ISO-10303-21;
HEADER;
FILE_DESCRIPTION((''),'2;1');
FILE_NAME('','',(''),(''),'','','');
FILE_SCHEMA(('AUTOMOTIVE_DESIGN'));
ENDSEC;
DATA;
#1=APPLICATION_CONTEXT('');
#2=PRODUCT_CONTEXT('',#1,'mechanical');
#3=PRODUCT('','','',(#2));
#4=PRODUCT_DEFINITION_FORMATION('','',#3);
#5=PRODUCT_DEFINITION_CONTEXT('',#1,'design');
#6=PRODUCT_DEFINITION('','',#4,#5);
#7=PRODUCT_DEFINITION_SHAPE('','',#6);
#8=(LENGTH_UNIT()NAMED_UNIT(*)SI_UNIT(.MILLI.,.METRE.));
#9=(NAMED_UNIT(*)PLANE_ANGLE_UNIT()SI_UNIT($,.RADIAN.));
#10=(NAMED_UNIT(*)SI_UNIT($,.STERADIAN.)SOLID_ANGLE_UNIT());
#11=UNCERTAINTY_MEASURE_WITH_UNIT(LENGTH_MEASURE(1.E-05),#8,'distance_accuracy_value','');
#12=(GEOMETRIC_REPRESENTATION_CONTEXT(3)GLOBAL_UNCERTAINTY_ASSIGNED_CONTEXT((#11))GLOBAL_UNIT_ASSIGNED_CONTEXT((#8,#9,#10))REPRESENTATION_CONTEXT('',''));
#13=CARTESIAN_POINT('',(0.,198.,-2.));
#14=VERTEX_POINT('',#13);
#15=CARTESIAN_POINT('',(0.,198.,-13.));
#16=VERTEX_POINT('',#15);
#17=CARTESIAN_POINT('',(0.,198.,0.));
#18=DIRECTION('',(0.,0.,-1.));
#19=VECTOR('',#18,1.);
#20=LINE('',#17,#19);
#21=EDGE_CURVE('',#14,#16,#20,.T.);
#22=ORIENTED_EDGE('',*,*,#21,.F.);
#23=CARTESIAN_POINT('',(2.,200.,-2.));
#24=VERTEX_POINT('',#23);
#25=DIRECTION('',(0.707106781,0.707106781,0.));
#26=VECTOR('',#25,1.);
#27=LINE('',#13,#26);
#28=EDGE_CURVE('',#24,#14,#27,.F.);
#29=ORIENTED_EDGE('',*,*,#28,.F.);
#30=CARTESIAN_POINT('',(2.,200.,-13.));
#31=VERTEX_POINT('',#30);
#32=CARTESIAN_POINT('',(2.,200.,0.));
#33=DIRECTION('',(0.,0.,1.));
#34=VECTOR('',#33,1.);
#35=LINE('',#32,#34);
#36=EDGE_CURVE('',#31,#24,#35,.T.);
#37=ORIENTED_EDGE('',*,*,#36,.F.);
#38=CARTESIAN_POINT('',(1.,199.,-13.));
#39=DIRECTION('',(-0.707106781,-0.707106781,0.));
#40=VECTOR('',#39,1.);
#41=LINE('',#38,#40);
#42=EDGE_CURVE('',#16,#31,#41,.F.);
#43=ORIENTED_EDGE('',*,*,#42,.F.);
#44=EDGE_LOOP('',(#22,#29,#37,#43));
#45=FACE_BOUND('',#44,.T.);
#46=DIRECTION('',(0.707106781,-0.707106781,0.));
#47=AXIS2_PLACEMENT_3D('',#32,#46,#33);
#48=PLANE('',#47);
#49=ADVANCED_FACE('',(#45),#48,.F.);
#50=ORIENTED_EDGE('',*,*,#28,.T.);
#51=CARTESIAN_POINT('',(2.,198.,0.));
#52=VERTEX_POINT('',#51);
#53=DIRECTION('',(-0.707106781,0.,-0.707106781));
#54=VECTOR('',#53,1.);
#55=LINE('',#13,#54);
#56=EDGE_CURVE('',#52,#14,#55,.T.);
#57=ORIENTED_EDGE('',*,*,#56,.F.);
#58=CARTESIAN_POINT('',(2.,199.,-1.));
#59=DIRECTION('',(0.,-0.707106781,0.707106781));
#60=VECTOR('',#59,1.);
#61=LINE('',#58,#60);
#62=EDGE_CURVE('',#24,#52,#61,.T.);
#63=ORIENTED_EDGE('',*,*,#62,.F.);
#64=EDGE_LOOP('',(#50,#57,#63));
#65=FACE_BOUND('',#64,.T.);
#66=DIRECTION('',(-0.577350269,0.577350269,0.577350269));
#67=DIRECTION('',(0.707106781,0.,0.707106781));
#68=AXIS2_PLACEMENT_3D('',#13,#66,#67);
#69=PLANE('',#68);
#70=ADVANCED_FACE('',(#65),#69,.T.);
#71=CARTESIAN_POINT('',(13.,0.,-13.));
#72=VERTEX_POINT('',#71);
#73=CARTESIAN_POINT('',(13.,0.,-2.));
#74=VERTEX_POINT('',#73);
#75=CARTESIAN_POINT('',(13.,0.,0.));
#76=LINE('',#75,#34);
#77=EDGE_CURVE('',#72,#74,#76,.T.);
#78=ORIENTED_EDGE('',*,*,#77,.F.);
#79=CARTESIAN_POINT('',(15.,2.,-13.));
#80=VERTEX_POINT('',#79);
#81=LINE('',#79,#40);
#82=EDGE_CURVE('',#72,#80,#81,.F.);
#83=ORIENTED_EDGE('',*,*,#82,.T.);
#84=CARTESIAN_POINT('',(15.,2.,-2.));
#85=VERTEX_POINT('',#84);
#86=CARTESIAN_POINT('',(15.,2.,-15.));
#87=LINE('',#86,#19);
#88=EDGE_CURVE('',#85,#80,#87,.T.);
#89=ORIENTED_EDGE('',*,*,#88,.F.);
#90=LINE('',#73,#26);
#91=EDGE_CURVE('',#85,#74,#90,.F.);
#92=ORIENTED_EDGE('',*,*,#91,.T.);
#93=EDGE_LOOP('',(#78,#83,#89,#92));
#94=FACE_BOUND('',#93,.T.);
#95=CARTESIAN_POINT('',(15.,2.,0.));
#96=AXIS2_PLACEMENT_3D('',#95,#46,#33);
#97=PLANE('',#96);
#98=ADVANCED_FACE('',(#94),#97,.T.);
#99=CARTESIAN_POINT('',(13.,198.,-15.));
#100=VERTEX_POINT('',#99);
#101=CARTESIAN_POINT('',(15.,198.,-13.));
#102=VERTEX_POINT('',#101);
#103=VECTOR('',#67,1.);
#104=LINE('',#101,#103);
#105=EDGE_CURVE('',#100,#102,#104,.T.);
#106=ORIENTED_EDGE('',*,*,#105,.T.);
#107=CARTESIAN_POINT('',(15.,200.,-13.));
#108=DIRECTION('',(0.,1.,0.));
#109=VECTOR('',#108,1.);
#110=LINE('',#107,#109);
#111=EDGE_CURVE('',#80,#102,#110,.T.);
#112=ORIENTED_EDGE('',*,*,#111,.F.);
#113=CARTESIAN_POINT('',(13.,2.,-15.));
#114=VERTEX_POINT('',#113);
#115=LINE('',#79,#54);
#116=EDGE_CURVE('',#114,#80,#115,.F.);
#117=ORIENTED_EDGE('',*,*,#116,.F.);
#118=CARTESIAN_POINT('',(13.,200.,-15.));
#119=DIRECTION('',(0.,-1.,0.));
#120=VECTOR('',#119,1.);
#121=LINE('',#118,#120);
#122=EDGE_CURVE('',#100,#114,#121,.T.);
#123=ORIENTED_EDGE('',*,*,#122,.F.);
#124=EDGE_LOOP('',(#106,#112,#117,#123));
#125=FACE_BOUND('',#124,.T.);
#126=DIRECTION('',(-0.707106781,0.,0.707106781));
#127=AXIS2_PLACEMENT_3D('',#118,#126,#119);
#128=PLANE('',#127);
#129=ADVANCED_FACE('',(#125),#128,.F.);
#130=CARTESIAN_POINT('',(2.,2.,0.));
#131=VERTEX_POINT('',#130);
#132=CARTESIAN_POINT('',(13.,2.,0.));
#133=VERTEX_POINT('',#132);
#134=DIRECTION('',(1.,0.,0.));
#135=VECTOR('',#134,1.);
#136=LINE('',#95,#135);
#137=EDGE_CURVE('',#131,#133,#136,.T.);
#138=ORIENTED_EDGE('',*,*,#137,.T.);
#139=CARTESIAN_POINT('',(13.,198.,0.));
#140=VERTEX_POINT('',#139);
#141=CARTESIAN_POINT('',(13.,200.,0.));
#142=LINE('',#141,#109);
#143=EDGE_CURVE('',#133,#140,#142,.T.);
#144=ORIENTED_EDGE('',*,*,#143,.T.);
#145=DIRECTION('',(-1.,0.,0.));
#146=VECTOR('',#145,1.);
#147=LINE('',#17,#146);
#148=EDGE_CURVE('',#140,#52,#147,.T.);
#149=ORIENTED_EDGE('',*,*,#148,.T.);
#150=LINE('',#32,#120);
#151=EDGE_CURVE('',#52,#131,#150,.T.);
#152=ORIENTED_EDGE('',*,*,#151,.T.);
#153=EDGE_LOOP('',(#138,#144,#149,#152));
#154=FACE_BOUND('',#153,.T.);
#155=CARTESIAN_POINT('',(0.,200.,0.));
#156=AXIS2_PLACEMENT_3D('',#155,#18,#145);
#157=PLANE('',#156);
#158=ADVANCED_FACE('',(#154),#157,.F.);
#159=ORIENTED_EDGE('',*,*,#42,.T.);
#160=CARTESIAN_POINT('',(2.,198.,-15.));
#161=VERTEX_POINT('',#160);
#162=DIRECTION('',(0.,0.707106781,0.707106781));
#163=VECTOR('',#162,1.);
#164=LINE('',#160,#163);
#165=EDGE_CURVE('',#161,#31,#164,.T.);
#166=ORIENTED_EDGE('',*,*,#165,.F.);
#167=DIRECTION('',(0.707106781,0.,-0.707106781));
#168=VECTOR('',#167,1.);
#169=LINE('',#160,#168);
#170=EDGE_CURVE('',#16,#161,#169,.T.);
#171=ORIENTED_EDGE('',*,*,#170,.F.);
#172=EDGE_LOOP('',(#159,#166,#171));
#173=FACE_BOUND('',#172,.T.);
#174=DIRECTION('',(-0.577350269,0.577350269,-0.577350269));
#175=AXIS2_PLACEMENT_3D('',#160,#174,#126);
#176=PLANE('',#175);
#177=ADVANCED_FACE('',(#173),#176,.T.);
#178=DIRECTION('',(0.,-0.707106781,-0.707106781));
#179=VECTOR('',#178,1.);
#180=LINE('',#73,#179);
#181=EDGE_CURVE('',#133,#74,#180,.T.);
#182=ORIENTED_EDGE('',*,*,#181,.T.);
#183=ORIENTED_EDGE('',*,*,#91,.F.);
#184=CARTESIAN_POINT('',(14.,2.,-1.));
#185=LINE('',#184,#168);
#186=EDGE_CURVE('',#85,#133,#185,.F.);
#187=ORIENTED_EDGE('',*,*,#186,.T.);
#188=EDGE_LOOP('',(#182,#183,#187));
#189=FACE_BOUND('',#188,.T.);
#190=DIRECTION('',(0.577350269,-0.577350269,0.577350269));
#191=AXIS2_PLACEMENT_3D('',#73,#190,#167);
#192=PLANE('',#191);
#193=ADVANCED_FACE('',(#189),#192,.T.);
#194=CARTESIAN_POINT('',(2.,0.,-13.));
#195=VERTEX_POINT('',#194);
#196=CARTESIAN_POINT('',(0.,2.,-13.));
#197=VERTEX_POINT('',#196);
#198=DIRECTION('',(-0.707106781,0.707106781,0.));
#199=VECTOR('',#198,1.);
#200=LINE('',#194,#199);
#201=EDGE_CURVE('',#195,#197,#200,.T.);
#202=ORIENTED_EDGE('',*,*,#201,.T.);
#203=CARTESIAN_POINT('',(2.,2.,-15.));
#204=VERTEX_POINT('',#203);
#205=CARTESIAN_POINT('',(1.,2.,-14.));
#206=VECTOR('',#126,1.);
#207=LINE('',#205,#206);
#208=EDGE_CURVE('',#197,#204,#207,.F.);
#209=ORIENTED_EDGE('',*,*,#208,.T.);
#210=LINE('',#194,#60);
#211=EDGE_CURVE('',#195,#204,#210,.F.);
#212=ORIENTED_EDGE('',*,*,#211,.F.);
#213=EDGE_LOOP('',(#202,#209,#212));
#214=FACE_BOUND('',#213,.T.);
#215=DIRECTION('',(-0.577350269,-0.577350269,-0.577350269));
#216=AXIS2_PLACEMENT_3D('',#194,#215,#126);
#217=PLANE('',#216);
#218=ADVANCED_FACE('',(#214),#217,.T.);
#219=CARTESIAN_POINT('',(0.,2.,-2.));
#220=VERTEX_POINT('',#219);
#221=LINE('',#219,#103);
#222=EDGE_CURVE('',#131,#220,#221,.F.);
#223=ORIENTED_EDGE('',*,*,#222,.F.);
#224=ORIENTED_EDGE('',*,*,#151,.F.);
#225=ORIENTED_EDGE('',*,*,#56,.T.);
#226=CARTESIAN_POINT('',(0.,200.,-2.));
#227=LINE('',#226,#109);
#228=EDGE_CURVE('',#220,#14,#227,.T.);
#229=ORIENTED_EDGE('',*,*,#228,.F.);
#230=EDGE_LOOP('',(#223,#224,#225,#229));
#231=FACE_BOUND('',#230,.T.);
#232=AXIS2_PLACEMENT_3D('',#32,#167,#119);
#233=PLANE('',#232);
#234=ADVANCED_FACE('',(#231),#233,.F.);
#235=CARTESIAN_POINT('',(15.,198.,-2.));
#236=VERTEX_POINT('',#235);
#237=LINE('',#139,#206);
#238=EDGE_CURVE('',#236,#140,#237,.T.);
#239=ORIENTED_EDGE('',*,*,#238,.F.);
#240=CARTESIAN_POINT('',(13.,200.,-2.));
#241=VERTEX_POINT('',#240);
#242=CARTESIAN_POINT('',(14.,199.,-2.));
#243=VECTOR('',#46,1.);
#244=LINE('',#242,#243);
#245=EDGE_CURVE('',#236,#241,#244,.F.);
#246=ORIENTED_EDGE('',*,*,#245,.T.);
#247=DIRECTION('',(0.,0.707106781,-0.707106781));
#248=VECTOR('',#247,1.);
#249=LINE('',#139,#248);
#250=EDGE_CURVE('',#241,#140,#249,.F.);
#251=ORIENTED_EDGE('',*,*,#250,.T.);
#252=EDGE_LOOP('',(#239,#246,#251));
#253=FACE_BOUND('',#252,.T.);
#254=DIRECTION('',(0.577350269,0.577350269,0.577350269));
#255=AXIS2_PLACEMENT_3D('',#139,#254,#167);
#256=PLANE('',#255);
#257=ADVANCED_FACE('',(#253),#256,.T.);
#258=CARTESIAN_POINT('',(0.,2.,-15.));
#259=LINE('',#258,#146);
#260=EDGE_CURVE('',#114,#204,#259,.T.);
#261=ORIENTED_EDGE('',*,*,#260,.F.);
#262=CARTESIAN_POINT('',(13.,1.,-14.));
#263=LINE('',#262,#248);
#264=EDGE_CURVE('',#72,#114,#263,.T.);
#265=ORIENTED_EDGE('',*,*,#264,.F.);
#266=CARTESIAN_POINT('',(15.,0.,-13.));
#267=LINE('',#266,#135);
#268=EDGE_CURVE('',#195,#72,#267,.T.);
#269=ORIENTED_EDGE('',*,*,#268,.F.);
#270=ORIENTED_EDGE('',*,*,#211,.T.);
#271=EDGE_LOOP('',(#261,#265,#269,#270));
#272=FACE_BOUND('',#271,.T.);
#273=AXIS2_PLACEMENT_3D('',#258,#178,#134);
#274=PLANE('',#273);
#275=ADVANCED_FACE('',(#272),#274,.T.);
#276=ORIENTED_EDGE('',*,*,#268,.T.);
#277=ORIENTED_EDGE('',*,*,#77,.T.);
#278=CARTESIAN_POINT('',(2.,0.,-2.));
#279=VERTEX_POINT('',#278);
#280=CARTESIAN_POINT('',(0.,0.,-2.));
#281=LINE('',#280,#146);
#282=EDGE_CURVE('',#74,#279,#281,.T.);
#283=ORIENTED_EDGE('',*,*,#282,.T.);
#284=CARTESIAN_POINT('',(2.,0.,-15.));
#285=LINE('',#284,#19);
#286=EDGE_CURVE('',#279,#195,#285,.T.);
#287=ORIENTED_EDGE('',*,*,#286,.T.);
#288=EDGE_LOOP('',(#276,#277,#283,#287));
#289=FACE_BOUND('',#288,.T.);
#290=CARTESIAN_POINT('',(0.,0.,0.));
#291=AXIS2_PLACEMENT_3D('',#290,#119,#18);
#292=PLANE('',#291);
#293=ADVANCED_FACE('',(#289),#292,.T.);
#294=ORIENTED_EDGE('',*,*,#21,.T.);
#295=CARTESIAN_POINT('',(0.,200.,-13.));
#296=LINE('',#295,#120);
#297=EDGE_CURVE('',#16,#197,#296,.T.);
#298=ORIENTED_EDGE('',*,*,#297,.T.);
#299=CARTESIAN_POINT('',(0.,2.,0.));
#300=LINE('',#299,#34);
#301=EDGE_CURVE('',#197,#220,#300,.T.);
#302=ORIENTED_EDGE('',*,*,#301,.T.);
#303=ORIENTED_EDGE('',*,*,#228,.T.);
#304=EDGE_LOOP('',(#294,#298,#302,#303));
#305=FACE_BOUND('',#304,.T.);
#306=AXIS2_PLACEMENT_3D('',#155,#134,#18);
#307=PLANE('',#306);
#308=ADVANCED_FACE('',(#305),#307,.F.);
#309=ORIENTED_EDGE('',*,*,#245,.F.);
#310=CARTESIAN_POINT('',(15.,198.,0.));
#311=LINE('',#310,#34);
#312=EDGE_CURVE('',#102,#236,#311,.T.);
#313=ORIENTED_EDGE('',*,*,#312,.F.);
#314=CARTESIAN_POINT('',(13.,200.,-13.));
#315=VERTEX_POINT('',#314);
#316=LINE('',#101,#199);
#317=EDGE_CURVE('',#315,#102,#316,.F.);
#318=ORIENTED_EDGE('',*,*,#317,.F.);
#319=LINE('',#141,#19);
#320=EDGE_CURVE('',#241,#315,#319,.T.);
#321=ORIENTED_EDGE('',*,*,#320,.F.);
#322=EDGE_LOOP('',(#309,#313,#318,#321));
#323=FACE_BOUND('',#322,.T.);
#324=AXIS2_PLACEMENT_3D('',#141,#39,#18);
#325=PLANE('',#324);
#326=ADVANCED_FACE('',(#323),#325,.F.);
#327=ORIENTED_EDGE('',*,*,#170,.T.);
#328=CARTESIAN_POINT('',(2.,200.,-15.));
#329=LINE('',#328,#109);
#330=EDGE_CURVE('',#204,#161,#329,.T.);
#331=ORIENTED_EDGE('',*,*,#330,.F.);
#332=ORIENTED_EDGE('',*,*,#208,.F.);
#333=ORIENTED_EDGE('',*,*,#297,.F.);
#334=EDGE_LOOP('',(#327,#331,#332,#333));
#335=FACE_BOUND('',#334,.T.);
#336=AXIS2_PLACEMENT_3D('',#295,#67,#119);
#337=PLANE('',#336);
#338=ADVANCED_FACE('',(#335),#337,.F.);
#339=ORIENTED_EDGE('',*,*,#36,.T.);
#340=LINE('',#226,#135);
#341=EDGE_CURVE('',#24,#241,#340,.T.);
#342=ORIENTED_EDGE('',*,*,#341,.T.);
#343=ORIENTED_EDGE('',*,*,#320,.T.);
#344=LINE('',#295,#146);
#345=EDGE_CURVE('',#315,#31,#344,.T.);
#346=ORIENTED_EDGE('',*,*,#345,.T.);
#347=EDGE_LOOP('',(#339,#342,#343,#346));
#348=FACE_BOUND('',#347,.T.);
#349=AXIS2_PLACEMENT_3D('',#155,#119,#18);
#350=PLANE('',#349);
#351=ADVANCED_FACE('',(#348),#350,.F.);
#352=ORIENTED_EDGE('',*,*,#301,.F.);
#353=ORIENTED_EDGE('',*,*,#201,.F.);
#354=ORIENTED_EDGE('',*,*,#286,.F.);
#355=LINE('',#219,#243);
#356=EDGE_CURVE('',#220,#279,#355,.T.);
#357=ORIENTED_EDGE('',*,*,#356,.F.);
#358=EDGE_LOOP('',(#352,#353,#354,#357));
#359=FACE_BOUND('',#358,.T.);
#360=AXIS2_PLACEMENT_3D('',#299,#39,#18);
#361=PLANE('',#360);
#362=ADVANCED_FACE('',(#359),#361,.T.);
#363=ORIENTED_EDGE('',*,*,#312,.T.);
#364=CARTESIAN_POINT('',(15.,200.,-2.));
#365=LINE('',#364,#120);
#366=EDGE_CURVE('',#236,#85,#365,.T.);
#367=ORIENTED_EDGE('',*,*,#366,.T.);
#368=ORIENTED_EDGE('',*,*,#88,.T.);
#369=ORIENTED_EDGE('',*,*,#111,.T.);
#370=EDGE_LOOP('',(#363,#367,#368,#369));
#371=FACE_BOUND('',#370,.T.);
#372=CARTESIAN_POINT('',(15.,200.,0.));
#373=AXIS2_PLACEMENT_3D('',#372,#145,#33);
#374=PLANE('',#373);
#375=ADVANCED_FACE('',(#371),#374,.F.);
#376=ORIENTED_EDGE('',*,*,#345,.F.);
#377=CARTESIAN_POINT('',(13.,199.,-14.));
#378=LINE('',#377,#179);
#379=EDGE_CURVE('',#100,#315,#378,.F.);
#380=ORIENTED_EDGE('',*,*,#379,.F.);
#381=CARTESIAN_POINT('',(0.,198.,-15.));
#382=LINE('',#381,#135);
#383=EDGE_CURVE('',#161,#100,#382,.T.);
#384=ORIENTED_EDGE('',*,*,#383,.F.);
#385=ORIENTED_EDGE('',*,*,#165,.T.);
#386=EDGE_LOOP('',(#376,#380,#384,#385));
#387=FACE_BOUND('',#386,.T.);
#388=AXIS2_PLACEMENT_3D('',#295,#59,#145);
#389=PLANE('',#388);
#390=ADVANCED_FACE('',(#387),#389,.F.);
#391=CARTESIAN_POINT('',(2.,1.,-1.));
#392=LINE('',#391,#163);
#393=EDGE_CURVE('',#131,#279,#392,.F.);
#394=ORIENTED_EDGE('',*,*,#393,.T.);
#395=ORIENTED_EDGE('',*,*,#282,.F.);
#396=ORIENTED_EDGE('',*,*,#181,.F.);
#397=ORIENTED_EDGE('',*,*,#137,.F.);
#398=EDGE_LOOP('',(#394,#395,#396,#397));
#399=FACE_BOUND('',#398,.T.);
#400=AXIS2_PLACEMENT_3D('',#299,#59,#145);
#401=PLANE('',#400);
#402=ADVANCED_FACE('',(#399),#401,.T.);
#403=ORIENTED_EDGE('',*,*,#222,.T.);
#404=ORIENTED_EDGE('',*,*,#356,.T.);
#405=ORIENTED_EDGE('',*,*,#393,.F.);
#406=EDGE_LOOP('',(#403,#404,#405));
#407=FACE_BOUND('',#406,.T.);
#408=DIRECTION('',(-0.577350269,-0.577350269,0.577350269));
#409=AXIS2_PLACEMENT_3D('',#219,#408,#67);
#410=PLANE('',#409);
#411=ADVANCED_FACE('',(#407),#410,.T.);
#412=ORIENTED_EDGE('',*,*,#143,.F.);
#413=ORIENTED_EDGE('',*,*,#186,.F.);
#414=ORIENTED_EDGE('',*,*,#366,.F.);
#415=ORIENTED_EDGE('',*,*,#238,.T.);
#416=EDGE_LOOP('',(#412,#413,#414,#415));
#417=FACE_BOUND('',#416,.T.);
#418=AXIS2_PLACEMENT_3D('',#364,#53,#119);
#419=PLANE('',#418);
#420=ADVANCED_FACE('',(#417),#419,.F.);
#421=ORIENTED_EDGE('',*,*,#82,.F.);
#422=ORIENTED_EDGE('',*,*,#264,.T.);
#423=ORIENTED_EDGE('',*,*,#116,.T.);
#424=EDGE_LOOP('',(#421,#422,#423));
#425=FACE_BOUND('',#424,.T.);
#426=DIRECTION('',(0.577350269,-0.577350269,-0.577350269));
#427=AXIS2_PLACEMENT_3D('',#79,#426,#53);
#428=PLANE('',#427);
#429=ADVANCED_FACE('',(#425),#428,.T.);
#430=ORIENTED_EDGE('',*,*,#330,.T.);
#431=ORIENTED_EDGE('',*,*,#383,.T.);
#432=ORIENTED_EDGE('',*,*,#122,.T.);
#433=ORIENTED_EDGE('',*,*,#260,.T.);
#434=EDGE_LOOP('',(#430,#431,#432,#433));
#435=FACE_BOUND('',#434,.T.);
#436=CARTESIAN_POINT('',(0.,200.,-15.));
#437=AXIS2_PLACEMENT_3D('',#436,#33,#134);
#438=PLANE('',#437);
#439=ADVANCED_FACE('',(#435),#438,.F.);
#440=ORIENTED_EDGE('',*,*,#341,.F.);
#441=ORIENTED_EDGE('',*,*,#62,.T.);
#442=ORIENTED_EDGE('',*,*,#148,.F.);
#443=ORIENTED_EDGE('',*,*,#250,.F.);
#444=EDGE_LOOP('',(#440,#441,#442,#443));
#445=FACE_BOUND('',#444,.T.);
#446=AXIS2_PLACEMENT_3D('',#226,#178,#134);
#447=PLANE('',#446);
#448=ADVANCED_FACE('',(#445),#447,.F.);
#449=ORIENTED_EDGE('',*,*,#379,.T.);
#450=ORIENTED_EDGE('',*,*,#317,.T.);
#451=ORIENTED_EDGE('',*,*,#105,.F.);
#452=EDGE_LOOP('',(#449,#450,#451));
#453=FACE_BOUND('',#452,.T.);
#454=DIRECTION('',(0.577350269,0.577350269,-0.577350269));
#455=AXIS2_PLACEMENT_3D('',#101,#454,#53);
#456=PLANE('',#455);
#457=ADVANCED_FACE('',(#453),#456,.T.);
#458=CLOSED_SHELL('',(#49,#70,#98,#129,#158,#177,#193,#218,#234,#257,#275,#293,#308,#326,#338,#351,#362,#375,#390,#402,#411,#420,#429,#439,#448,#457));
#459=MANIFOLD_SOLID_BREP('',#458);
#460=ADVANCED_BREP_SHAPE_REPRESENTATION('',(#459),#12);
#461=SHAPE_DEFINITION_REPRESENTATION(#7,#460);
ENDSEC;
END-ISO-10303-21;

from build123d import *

# Parameters (mm, degrees)
SKETCH1_W           = 15
SKETCH1_H           = 15
BOSS_EXTRUDE1_DEPTH = 200
CHAMFER1_SIZE       = 2


with BuildPart() as part:
    # Sketch1 → Boss-Extrude1 (new body)
    with BuildSketch(Plane(origin=(0, 0, 0), x_dir=(1, 0, 0), z_dir=(0, 1, 0))):
        with Locations((7.5, 7.5)):
            Rectangle(SKETCH1_W, SKETCH1_H)
    extrude(amount=BOSS_EXTRUDE1_DEPTH)

    # Chamfer1
    chamfer1_edges = [part.edges().sort_by_distance(p)[0] for p in [
        (15, 200, -7.5),
        (7.5, 200, -15),
        (0, 200, -7.5),
        (7.5, 0, -15),
        (15, 0, -7.5),
        (7.5, 0, 0),
        (0, 0, -7.5),
        (0, 100, -15),
        (15, 100, -15),
        (15, 100, 0),
        (0, 100, 0),
        (7.5, 200, 0),
    ]]
    chamfer(chamfer1_edges, length=CHAMFER1_SIZE)


solid = part.part
